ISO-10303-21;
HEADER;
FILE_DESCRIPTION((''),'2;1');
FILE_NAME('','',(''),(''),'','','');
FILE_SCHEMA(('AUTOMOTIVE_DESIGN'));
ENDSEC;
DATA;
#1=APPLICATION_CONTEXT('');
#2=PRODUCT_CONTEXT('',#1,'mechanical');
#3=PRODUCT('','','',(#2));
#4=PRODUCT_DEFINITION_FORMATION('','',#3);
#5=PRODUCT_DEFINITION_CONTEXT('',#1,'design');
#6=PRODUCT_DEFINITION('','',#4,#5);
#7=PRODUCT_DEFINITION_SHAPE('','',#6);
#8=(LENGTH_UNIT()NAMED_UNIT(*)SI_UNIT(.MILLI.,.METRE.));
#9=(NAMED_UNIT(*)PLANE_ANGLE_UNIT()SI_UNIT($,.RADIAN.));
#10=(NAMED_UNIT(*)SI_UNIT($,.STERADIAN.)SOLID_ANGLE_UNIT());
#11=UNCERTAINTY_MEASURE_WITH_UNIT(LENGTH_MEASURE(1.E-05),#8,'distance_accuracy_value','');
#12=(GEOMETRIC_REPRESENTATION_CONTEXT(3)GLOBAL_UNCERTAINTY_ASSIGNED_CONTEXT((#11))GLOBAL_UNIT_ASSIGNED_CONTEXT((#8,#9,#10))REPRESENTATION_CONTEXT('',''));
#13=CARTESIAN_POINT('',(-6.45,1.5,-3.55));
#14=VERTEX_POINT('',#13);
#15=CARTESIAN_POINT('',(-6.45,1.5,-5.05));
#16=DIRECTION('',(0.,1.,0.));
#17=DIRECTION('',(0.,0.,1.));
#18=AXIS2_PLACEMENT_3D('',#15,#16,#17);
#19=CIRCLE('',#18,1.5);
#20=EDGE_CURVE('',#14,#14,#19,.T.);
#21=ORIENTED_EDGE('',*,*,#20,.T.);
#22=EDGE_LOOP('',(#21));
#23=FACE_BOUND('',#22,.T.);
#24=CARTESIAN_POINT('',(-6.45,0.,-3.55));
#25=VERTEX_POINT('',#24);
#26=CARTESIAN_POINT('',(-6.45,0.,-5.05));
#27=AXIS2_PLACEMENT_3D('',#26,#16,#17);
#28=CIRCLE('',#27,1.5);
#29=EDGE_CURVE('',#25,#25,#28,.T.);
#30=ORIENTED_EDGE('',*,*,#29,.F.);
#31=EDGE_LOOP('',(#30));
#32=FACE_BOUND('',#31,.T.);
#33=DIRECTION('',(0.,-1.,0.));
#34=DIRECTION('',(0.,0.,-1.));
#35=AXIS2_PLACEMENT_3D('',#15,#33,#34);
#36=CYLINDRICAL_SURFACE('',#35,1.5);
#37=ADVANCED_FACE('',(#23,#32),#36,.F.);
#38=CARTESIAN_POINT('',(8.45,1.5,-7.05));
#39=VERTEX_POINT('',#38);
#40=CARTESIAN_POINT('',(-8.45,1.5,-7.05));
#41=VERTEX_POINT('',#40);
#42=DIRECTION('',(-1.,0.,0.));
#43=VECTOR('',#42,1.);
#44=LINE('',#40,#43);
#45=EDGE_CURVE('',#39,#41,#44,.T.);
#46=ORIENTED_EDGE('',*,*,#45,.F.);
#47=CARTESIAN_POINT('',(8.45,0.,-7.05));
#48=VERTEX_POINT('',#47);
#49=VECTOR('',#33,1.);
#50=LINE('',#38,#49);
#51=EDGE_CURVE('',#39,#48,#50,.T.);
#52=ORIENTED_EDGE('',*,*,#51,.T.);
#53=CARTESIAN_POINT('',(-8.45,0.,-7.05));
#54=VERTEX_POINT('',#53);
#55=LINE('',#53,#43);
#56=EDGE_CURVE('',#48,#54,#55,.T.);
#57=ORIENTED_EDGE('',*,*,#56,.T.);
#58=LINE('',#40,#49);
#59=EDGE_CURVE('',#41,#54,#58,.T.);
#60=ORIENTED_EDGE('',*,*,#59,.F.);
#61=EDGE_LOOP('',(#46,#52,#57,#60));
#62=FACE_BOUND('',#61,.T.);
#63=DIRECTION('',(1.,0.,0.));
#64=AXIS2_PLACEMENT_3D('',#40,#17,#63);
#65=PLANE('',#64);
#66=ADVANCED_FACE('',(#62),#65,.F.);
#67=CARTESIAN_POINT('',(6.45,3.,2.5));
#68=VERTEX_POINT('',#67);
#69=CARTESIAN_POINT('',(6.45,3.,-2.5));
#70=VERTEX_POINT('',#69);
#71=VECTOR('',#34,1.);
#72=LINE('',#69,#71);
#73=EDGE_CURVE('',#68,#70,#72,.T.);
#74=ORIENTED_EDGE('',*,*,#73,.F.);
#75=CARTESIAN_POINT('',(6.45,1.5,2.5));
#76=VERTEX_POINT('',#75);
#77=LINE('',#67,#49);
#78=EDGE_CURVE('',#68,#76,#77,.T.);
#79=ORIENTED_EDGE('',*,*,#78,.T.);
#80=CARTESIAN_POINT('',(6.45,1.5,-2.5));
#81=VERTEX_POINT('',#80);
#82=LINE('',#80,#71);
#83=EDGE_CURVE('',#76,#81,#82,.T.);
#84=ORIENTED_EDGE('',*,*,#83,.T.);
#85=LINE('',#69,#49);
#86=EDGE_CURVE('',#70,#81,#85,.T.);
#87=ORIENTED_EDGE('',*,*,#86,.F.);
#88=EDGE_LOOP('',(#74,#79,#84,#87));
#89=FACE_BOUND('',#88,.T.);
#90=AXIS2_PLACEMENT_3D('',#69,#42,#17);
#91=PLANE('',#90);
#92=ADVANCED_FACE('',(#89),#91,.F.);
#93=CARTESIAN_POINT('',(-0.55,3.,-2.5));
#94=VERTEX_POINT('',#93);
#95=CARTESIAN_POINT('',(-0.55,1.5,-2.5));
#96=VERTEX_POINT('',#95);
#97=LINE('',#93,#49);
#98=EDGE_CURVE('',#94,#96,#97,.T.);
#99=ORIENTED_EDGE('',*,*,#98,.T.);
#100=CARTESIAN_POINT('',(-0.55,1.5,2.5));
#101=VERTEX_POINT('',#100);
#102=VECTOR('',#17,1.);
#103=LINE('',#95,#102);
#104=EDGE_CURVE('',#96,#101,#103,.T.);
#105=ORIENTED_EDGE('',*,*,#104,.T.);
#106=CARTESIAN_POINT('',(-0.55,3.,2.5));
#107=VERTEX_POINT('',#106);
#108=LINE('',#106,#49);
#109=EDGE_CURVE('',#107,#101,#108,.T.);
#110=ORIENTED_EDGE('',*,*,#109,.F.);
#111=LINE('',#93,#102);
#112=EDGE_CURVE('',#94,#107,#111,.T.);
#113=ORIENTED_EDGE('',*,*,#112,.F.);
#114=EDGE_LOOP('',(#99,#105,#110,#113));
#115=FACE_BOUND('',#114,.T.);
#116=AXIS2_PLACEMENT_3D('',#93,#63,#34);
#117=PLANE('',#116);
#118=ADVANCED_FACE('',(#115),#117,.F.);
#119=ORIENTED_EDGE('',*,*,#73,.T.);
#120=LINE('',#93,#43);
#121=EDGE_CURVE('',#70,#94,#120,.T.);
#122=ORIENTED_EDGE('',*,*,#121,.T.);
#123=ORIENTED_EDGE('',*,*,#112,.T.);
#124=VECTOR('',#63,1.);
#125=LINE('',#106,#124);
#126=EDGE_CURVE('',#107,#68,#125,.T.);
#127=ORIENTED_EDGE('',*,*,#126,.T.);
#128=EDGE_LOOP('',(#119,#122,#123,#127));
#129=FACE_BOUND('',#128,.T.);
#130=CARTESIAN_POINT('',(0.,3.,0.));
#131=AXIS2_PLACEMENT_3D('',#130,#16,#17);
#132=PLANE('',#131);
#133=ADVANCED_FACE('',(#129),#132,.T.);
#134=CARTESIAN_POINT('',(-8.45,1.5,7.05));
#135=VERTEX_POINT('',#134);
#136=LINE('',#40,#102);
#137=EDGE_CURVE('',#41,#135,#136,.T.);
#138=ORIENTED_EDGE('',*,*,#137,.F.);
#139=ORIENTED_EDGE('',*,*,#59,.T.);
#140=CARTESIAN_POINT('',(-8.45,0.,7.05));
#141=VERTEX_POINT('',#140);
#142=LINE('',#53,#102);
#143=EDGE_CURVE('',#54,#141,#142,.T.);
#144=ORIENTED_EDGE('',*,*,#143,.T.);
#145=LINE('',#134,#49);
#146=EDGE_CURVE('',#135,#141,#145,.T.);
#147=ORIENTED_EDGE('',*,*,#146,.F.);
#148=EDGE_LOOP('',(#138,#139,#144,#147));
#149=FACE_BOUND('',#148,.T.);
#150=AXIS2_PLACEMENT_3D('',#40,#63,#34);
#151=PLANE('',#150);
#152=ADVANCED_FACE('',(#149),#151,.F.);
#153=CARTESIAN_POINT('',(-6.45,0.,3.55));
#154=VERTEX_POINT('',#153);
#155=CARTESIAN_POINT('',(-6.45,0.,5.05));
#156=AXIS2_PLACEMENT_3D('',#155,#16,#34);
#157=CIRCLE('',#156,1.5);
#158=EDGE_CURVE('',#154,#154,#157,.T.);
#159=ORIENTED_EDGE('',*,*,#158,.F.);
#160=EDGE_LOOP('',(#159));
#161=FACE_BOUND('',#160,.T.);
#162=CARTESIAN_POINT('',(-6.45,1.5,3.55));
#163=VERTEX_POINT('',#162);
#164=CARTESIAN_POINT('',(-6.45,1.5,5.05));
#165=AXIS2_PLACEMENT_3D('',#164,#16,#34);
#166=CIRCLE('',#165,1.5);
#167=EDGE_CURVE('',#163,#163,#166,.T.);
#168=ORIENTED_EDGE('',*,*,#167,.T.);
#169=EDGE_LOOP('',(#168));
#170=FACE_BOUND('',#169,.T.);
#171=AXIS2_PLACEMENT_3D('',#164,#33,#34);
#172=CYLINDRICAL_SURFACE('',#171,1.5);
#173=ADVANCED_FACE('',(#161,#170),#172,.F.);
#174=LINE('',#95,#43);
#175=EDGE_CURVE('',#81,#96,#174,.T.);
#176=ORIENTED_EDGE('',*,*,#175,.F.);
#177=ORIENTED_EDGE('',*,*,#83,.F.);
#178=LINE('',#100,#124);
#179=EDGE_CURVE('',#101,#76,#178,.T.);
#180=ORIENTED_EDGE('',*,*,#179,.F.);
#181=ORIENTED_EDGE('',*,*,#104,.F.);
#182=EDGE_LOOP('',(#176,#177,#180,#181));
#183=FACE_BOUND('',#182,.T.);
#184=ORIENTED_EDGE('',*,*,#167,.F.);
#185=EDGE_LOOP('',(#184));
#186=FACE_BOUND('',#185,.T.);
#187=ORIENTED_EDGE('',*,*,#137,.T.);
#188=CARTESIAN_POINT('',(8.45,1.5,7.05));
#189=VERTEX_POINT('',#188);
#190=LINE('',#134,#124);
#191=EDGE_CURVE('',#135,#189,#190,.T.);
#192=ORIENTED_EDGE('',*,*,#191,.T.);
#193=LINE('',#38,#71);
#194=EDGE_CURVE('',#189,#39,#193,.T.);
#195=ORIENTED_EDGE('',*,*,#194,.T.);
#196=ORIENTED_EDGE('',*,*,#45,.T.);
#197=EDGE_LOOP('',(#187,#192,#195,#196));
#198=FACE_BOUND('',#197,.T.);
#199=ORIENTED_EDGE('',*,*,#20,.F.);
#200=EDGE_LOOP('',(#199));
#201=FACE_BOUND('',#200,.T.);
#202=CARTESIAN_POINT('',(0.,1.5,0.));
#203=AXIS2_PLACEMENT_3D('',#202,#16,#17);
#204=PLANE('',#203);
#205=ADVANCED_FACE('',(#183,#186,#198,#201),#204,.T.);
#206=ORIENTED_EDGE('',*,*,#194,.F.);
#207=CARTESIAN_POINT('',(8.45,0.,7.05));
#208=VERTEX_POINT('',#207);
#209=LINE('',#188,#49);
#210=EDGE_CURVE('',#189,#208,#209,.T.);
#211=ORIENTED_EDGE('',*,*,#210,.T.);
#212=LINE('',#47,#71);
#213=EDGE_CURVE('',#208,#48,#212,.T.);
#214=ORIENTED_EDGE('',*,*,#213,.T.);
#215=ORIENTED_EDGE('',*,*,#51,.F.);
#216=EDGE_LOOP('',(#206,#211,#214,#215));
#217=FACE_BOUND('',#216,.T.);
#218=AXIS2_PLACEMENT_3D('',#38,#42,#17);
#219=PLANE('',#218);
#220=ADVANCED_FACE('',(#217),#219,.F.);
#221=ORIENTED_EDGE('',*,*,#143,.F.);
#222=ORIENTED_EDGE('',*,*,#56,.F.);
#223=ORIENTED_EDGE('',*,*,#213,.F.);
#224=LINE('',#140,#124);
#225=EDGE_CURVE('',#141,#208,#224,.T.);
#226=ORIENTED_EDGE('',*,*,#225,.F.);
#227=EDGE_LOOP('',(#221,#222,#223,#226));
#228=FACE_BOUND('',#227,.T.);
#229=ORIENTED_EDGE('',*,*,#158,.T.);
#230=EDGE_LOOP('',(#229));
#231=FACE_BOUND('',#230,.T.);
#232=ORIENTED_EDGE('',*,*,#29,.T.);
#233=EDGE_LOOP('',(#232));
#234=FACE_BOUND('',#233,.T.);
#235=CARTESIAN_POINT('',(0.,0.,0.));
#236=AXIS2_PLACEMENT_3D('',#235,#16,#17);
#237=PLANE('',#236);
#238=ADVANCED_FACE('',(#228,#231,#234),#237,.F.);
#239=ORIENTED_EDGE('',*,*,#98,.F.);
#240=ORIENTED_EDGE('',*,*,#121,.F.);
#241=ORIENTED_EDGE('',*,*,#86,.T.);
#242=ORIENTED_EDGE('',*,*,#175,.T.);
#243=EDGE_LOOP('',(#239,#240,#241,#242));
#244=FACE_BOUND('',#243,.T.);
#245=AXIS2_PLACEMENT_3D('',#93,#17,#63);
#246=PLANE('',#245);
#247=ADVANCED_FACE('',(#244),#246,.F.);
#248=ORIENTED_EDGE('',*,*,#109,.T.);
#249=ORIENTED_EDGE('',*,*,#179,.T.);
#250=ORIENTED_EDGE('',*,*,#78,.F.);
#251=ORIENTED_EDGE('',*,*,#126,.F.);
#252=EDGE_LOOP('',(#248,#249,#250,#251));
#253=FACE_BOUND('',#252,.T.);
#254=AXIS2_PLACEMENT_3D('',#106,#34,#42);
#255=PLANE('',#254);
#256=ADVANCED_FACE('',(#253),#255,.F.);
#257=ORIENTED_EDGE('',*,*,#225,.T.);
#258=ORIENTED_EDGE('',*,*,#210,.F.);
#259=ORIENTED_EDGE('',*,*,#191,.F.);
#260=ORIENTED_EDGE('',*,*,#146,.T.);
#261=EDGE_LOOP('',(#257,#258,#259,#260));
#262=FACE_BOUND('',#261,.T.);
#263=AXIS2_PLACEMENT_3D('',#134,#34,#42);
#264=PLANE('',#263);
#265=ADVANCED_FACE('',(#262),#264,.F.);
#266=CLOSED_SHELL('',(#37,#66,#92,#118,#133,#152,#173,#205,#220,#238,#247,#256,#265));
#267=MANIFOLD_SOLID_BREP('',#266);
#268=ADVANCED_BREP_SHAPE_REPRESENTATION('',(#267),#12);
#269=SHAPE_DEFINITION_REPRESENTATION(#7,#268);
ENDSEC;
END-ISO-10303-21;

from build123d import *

# Parameters (mm, degrees)
SKETCH1_W           = 16.9
SKETCH1_H           = 14.1
SKETCH1_R           = 1.5
BOSS_EXTRUDE1_DEPTH = 1.5
SKETCH2_W           = 7
SKETCH2_H           = 5
BOSS_EXTRUDE2_DEPTH = 1.5


with BuildPart() as part:
    # Sketch1 → Boss-Extrude1 (new body)
    with BuildSketch(Plane(origin=(0, 0, 0), x_dir=(1, 0, 0), z_dir=(0, 1, 0))):
        Rectangle(SKETCH1_W, SKETCH1_H)
        with Locations(Location((-6.45, 5.05, 0), (0, 0, 270))):
            Circle(SKETCH1_R, mode=Mode.SUBTRACT)
        with Locations(Location((-6.45, -5.05, 0), (0, 0, 90))):
            Circle(SKETCH1_R, mode=Mode.SUBTRACT)
    extrude(amount=BOSS_EXTRUDE1_DEPTH)

    # Sketch2 → Boss-Extrude2 (add)
    with BuildSketch(Plane(origin=(0, 1.5, 0), x_dir=(1, 0, 0), z_dir=(0, 1, 0))):
        with Locations((2.95, 0)):
            Rectangle(SKETCH2_W, SKETCH2_H)
    extrude(amount=BOSS_EXTRUDE2_DEPTH)


solid = part.part
